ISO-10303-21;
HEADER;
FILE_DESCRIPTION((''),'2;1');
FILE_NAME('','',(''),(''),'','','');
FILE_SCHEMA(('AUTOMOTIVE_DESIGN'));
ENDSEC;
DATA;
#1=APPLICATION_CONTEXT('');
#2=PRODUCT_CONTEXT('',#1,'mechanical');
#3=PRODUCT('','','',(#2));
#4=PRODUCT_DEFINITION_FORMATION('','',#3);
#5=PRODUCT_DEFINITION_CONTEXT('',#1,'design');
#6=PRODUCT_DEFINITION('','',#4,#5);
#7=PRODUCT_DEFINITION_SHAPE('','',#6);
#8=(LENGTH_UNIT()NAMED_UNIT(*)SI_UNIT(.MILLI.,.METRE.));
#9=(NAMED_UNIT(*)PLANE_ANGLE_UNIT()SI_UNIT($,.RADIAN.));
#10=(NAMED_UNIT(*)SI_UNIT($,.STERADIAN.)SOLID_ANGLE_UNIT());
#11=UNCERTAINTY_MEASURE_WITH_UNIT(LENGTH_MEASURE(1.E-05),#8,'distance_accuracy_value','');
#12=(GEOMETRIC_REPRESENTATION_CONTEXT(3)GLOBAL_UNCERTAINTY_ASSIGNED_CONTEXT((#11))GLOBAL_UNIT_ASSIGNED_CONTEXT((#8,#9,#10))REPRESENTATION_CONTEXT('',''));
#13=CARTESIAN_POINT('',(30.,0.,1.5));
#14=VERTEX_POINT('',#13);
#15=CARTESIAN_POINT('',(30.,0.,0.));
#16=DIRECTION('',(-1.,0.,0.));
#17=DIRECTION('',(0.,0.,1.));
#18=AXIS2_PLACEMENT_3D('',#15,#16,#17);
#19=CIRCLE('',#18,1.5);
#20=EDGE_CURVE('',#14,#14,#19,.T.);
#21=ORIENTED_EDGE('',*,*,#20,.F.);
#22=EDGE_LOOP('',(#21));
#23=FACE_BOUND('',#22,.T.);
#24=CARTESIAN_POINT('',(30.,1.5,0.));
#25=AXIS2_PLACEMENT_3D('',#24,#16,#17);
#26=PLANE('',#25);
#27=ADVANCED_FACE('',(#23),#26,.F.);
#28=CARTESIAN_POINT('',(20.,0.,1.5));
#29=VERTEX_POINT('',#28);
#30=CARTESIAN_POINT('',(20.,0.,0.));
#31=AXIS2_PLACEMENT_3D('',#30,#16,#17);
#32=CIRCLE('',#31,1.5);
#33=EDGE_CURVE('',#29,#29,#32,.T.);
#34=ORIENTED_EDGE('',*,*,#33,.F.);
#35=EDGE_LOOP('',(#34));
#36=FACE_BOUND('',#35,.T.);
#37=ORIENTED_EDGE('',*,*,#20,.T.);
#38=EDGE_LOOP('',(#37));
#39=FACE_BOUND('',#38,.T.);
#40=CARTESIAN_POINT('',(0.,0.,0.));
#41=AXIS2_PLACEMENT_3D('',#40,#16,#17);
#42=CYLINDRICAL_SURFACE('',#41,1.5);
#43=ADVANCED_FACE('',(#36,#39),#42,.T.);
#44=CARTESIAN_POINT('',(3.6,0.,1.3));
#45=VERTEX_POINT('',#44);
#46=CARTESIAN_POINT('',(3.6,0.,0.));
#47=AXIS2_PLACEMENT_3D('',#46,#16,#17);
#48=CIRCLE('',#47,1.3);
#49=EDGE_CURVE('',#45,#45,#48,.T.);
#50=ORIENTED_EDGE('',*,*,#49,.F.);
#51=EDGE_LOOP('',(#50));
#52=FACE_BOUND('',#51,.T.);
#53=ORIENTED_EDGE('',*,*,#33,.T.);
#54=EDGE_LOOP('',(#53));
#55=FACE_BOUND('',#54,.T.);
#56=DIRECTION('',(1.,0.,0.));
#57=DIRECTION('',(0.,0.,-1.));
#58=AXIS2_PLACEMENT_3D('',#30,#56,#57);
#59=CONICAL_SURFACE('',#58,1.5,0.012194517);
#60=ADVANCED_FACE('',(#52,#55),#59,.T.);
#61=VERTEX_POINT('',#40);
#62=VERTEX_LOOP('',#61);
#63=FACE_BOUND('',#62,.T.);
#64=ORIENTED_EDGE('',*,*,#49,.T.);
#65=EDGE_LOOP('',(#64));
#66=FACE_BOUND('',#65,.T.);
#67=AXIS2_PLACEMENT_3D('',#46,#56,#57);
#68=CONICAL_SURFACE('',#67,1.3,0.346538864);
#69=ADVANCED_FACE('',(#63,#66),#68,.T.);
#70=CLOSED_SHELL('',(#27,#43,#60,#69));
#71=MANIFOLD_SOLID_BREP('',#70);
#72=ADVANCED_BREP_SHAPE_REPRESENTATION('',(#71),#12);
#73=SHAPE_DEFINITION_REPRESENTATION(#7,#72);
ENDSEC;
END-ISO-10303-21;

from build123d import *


with BuildPart() as part:
    # Sketch1 → Revolve1 (revolve)
    with BuildSketch(Plane.XY, mode=Mode.PRIVATE) as revolve1_sk:
        Polygon((0, 0), (20, 0), (30, 0), (30, 1.5), (20, 1.5), (3.6, 1.3), align=None)
    revolve(revolve1_sk.sketch.rotate(Axis((0, 0, 0), (1, 0, 0)), 90), axis=Axis((0, 0, 0), (1, 0, 0)))


solid = part.part
